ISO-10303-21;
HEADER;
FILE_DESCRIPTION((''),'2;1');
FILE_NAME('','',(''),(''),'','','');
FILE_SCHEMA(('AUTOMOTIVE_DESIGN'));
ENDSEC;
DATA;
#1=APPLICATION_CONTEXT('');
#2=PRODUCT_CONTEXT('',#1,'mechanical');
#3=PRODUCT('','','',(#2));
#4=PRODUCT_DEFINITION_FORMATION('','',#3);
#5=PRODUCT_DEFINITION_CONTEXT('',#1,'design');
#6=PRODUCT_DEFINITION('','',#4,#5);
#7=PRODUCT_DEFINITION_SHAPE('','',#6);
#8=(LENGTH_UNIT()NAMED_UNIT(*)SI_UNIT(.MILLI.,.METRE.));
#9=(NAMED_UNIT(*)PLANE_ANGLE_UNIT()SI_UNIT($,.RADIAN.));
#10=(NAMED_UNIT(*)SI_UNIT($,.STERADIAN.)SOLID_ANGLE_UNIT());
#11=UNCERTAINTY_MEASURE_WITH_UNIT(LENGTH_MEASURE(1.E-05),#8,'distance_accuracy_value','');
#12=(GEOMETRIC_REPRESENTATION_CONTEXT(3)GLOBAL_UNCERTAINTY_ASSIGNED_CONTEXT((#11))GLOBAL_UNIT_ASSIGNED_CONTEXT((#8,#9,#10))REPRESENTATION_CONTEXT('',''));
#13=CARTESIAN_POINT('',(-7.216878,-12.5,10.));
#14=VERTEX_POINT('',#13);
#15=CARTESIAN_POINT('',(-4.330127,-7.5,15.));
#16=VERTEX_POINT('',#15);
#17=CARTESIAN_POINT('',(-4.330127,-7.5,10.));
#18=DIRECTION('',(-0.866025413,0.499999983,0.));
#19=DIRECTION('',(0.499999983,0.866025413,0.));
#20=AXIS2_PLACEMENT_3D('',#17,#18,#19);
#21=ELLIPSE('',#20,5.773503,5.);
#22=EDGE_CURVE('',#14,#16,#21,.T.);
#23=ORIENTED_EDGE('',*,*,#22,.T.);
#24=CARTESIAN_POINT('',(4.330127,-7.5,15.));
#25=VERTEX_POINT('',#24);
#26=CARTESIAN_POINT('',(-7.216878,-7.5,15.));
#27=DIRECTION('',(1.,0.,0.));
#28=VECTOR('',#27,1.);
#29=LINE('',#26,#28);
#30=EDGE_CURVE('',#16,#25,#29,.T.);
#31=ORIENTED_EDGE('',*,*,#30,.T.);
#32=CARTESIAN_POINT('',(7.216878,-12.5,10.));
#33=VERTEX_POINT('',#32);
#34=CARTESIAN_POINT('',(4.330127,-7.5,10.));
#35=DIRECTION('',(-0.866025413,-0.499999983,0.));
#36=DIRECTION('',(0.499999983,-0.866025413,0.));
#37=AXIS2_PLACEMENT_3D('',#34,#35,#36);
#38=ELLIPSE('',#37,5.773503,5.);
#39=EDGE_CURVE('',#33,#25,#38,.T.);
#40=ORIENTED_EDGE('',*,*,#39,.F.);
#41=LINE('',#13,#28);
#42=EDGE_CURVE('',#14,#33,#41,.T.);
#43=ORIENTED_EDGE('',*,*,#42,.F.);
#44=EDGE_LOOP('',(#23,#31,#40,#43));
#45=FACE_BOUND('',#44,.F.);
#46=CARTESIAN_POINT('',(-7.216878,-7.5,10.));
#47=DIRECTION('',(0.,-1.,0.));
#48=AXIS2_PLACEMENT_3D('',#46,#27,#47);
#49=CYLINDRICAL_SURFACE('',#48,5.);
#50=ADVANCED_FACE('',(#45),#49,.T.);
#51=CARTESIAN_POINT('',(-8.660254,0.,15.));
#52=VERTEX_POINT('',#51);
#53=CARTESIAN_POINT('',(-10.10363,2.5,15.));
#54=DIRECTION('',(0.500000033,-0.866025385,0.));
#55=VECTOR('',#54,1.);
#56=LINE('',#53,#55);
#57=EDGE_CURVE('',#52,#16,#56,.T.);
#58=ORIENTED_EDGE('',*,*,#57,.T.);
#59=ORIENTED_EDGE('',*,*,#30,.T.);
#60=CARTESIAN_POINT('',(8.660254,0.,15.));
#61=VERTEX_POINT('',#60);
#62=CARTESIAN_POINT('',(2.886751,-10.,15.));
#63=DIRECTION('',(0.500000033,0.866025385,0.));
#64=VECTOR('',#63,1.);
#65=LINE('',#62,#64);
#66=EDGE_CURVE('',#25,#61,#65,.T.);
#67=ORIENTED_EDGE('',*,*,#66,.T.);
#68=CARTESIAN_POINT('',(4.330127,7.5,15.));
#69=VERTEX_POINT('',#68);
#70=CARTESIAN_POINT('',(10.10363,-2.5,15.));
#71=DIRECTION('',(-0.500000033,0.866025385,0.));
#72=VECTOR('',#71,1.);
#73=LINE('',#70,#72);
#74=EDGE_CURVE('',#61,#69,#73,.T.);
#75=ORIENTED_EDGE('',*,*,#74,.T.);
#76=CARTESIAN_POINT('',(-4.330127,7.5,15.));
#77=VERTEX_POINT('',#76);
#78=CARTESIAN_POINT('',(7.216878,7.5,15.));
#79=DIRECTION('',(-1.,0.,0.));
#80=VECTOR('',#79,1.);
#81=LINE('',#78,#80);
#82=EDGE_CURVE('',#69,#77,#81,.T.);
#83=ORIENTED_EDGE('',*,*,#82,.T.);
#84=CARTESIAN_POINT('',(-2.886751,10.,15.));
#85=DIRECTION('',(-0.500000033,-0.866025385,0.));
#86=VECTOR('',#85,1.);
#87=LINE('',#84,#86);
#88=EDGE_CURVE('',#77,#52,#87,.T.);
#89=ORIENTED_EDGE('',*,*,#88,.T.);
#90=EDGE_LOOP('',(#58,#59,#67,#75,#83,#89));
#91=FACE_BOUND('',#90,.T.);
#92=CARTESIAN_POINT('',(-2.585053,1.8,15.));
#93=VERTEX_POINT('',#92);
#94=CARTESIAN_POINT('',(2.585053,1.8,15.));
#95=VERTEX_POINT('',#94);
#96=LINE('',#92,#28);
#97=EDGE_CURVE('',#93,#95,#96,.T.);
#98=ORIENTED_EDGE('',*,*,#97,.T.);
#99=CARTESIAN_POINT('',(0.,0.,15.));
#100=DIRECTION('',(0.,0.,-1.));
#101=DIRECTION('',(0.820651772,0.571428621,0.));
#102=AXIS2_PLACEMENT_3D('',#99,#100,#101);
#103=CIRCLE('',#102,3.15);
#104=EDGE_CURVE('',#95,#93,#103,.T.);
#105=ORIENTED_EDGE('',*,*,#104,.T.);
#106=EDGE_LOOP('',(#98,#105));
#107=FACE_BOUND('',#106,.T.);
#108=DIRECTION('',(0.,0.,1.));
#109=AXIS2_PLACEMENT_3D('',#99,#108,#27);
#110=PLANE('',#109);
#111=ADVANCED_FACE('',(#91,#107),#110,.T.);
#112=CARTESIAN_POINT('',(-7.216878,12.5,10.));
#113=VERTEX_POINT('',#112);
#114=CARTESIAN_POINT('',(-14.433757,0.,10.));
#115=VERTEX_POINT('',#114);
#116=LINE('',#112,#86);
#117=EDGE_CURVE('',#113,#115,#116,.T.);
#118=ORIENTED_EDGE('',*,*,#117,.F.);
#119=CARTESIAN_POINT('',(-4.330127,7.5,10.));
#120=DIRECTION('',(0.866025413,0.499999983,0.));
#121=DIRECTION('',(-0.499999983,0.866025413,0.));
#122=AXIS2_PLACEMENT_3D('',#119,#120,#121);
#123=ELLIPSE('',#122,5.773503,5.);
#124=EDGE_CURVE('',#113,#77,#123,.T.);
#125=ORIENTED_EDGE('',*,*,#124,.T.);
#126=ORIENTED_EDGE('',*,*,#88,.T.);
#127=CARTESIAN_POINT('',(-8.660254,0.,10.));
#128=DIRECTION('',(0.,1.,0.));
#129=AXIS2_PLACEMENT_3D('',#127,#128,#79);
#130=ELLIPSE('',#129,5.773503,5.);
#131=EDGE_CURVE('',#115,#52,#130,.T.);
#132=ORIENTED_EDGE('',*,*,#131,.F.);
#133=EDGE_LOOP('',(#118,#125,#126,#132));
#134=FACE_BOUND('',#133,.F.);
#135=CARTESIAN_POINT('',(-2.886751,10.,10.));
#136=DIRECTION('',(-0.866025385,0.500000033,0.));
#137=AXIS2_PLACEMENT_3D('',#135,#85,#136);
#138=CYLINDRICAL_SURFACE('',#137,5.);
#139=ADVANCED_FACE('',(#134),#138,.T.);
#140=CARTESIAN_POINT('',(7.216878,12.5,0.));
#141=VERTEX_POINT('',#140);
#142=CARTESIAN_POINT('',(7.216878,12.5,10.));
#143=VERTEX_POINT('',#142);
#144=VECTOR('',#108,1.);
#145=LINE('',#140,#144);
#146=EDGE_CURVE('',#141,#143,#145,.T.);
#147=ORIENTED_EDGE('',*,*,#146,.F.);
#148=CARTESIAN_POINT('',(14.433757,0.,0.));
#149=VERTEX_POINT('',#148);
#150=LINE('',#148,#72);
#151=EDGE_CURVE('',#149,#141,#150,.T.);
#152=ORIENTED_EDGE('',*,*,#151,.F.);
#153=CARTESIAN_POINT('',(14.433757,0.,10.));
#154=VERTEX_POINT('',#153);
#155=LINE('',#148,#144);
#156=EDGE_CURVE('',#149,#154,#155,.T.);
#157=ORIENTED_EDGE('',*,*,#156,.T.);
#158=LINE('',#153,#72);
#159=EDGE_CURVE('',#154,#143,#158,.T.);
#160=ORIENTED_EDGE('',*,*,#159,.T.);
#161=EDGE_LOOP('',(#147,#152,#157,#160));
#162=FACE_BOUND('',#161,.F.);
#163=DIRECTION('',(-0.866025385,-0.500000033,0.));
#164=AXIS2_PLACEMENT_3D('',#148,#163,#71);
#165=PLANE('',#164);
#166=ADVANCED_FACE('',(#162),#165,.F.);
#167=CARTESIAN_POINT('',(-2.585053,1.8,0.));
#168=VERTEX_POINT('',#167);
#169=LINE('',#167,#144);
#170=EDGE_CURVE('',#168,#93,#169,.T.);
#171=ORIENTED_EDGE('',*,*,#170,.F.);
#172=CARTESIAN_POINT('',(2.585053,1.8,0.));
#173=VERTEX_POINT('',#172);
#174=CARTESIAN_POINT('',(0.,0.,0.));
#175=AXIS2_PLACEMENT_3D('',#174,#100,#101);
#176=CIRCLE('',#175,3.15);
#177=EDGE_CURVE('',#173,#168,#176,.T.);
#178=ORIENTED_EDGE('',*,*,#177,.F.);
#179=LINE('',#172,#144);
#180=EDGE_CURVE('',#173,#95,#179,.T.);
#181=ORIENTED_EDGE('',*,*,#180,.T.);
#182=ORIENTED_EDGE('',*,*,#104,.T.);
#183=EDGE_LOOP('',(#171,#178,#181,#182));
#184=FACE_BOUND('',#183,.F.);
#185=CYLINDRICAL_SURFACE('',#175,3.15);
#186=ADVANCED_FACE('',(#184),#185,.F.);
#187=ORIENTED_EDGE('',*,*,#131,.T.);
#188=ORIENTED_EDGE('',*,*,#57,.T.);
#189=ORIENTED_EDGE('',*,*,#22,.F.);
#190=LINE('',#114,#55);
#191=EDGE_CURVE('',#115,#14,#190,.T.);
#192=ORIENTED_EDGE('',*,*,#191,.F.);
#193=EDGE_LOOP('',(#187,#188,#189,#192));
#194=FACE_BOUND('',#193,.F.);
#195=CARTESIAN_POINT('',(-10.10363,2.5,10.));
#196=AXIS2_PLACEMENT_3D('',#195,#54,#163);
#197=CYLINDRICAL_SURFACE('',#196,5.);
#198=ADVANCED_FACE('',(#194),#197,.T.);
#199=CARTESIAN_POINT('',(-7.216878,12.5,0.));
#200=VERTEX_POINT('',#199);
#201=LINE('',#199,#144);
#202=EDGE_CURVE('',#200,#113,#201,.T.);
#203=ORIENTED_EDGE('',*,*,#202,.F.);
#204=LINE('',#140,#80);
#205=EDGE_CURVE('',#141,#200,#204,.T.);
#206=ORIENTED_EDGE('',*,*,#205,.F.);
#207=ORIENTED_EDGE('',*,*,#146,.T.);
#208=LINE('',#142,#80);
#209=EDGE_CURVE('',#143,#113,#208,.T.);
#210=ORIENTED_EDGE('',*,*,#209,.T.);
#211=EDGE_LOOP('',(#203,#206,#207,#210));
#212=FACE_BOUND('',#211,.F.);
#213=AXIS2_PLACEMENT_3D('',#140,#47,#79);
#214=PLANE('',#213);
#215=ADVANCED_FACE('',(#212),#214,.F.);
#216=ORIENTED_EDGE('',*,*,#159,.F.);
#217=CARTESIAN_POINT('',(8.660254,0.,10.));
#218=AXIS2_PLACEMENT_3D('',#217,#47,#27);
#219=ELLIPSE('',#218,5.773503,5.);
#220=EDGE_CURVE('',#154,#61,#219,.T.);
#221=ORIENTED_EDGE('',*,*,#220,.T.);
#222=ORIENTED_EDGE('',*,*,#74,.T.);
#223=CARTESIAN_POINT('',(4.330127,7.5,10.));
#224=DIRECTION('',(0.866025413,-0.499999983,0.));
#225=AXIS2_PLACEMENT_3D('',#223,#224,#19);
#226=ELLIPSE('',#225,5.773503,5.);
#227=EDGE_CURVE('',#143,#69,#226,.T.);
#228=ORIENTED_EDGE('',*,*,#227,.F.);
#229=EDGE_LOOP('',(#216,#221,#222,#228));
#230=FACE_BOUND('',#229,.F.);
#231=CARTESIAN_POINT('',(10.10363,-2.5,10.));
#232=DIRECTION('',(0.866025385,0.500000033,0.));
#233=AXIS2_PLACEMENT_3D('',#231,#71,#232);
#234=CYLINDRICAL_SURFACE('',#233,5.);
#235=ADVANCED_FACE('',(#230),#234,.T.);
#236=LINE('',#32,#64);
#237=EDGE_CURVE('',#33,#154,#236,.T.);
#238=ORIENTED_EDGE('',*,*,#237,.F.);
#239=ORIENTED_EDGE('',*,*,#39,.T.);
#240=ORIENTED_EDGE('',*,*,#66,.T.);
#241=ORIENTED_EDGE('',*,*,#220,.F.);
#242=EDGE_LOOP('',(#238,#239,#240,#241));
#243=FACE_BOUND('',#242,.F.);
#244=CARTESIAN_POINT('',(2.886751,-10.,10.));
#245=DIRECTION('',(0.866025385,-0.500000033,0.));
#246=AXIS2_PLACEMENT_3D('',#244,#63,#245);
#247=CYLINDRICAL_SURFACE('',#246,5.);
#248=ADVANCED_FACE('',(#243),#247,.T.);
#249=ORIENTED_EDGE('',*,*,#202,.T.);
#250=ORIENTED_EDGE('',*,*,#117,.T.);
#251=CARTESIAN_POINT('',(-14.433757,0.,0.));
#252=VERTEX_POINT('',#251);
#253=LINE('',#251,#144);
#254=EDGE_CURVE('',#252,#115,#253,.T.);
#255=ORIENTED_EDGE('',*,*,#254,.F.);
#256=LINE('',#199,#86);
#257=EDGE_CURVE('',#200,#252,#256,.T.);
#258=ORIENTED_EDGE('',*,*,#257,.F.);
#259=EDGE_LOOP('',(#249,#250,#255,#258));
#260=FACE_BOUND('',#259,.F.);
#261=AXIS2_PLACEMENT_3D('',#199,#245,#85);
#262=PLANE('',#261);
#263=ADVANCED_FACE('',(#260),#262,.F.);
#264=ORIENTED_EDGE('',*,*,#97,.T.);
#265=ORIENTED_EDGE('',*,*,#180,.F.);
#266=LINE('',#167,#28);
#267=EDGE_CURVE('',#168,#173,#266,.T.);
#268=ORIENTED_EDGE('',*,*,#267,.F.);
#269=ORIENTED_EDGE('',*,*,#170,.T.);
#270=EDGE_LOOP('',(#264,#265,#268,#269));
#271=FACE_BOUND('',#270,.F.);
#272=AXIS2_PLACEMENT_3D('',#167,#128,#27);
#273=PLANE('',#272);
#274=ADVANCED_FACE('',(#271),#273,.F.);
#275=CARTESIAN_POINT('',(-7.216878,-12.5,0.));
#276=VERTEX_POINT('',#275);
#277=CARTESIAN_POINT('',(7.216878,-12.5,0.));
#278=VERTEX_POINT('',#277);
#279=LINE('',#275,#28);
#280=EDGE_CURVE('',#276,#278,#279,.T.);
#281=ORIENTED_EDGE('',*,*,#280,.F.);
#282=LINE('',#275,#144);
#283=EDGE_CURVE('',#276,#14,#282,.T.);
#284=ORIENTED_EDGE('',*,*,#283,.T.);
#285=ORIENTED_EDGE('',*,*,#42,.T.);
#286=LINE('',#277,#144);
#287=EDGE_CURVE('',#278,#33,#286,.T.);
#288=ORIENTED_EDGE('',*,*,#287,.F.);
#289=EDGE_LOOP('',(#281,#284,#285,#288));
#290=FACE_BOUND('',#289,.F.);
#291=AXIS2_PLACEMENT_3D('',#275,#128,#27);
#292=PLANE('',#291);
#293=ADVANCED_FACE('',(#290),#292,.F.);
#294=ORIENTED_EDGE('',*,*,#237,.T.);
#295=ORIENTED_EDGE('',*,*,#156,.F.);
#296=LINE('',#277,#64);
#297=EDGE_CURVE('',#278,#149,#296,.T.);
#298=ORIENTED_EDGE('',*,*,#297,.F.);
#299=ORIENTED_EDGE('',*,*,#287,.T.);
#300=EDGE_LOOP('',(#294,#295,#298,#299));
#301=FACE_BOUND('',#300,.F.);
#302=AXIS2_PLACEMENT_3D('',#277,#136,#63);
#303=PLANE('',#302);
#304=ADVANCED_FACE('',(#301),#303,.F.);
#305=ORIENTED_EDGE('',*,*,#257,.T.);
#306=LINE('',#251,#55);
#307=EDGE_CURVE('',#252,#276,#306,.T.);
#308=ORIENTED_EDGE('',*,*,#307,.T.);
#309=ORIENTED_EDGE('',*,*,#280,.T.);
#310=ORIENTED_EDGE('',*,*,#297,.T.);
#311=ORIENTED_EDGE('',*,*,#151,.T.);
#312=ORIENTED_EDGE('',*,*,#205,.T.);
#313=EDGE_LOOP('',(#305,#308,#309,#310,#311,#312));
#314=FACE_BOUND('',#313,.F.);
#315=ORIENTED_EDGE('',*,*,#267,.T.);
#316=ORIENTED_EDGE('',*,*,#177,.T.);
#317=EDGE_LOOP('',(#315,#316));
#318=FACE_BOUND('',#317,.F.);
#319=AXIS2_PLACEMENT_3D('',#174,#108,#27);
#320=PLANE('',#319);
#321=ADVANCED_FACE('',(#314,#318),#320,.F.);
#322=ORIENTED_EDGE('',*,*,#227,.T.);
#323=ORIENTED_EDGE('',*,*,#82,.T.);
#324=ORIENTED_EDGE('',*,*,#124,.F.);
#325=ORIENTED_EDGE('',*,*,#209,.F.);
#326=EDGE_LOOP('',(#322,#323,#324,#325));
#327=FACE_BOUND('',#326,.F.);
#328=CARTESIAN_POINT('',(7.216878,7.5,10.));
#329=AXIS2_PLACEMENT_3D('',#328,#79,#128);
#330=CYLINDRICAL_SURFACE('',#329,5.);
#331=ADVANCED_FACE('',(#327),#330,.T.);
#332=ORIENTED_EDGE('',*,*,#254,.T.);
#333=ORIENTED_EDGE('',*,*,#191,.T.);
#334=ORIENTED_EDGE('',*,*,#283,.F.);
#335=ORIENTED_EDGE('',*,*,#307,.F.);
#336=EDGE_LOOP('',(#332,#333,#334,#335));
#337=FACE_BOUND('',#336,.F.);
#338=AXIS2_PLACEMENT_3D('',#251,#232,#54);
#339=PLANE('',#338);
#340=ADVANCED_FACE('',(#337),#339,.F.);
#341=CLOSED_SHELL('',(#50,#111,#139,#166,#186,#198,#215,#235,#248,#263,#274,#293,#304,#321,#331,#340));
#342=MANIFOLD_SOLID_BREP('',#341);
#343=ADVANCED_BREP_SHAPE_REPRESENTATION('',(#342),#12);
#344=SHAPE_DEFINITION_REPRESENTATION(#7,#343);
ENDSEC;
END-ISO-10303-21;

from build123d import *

# Parameters (mm, degrees)
F1_DEPTH = 15
F2_R     = 5


with BuildPart() as f1:
    # F0 (on Top) → F1 (new body)
    with BuildSketch(Plane.XY):
        Polygon((14.433757, 0), (7.216878, 12.5), (-7.216878, 12.5), (-14.433757, 0), (-7.216878, -12.5), (7.216878, -12.5), align=None)
        with BuildLine():
            ThreePointArc((2.585053, 1.8), (0, -3.15), (-2.585053, 1.8))
            Line((-2.585053, 1.8), (2.585053, 1.8))
        make_face(mode=Mode.SUBTRACT)
    extrude(amount=F1_DEPTH)

    # F2
    f2_edges = [f1.edges().sort_by_distance(p)[0] for p in [
        (0, -12.5, 15),
        (10.825318, -6.25, 15),
        (10.825318, 6.25, 15),
        (0, 12.5, 15),
        (-10.825318, 6.25, 15),
        (-10.825318, -6.25, 15),
    ]]
    fillet(f2_edges, radius=F2_R)


solid = f1.part
